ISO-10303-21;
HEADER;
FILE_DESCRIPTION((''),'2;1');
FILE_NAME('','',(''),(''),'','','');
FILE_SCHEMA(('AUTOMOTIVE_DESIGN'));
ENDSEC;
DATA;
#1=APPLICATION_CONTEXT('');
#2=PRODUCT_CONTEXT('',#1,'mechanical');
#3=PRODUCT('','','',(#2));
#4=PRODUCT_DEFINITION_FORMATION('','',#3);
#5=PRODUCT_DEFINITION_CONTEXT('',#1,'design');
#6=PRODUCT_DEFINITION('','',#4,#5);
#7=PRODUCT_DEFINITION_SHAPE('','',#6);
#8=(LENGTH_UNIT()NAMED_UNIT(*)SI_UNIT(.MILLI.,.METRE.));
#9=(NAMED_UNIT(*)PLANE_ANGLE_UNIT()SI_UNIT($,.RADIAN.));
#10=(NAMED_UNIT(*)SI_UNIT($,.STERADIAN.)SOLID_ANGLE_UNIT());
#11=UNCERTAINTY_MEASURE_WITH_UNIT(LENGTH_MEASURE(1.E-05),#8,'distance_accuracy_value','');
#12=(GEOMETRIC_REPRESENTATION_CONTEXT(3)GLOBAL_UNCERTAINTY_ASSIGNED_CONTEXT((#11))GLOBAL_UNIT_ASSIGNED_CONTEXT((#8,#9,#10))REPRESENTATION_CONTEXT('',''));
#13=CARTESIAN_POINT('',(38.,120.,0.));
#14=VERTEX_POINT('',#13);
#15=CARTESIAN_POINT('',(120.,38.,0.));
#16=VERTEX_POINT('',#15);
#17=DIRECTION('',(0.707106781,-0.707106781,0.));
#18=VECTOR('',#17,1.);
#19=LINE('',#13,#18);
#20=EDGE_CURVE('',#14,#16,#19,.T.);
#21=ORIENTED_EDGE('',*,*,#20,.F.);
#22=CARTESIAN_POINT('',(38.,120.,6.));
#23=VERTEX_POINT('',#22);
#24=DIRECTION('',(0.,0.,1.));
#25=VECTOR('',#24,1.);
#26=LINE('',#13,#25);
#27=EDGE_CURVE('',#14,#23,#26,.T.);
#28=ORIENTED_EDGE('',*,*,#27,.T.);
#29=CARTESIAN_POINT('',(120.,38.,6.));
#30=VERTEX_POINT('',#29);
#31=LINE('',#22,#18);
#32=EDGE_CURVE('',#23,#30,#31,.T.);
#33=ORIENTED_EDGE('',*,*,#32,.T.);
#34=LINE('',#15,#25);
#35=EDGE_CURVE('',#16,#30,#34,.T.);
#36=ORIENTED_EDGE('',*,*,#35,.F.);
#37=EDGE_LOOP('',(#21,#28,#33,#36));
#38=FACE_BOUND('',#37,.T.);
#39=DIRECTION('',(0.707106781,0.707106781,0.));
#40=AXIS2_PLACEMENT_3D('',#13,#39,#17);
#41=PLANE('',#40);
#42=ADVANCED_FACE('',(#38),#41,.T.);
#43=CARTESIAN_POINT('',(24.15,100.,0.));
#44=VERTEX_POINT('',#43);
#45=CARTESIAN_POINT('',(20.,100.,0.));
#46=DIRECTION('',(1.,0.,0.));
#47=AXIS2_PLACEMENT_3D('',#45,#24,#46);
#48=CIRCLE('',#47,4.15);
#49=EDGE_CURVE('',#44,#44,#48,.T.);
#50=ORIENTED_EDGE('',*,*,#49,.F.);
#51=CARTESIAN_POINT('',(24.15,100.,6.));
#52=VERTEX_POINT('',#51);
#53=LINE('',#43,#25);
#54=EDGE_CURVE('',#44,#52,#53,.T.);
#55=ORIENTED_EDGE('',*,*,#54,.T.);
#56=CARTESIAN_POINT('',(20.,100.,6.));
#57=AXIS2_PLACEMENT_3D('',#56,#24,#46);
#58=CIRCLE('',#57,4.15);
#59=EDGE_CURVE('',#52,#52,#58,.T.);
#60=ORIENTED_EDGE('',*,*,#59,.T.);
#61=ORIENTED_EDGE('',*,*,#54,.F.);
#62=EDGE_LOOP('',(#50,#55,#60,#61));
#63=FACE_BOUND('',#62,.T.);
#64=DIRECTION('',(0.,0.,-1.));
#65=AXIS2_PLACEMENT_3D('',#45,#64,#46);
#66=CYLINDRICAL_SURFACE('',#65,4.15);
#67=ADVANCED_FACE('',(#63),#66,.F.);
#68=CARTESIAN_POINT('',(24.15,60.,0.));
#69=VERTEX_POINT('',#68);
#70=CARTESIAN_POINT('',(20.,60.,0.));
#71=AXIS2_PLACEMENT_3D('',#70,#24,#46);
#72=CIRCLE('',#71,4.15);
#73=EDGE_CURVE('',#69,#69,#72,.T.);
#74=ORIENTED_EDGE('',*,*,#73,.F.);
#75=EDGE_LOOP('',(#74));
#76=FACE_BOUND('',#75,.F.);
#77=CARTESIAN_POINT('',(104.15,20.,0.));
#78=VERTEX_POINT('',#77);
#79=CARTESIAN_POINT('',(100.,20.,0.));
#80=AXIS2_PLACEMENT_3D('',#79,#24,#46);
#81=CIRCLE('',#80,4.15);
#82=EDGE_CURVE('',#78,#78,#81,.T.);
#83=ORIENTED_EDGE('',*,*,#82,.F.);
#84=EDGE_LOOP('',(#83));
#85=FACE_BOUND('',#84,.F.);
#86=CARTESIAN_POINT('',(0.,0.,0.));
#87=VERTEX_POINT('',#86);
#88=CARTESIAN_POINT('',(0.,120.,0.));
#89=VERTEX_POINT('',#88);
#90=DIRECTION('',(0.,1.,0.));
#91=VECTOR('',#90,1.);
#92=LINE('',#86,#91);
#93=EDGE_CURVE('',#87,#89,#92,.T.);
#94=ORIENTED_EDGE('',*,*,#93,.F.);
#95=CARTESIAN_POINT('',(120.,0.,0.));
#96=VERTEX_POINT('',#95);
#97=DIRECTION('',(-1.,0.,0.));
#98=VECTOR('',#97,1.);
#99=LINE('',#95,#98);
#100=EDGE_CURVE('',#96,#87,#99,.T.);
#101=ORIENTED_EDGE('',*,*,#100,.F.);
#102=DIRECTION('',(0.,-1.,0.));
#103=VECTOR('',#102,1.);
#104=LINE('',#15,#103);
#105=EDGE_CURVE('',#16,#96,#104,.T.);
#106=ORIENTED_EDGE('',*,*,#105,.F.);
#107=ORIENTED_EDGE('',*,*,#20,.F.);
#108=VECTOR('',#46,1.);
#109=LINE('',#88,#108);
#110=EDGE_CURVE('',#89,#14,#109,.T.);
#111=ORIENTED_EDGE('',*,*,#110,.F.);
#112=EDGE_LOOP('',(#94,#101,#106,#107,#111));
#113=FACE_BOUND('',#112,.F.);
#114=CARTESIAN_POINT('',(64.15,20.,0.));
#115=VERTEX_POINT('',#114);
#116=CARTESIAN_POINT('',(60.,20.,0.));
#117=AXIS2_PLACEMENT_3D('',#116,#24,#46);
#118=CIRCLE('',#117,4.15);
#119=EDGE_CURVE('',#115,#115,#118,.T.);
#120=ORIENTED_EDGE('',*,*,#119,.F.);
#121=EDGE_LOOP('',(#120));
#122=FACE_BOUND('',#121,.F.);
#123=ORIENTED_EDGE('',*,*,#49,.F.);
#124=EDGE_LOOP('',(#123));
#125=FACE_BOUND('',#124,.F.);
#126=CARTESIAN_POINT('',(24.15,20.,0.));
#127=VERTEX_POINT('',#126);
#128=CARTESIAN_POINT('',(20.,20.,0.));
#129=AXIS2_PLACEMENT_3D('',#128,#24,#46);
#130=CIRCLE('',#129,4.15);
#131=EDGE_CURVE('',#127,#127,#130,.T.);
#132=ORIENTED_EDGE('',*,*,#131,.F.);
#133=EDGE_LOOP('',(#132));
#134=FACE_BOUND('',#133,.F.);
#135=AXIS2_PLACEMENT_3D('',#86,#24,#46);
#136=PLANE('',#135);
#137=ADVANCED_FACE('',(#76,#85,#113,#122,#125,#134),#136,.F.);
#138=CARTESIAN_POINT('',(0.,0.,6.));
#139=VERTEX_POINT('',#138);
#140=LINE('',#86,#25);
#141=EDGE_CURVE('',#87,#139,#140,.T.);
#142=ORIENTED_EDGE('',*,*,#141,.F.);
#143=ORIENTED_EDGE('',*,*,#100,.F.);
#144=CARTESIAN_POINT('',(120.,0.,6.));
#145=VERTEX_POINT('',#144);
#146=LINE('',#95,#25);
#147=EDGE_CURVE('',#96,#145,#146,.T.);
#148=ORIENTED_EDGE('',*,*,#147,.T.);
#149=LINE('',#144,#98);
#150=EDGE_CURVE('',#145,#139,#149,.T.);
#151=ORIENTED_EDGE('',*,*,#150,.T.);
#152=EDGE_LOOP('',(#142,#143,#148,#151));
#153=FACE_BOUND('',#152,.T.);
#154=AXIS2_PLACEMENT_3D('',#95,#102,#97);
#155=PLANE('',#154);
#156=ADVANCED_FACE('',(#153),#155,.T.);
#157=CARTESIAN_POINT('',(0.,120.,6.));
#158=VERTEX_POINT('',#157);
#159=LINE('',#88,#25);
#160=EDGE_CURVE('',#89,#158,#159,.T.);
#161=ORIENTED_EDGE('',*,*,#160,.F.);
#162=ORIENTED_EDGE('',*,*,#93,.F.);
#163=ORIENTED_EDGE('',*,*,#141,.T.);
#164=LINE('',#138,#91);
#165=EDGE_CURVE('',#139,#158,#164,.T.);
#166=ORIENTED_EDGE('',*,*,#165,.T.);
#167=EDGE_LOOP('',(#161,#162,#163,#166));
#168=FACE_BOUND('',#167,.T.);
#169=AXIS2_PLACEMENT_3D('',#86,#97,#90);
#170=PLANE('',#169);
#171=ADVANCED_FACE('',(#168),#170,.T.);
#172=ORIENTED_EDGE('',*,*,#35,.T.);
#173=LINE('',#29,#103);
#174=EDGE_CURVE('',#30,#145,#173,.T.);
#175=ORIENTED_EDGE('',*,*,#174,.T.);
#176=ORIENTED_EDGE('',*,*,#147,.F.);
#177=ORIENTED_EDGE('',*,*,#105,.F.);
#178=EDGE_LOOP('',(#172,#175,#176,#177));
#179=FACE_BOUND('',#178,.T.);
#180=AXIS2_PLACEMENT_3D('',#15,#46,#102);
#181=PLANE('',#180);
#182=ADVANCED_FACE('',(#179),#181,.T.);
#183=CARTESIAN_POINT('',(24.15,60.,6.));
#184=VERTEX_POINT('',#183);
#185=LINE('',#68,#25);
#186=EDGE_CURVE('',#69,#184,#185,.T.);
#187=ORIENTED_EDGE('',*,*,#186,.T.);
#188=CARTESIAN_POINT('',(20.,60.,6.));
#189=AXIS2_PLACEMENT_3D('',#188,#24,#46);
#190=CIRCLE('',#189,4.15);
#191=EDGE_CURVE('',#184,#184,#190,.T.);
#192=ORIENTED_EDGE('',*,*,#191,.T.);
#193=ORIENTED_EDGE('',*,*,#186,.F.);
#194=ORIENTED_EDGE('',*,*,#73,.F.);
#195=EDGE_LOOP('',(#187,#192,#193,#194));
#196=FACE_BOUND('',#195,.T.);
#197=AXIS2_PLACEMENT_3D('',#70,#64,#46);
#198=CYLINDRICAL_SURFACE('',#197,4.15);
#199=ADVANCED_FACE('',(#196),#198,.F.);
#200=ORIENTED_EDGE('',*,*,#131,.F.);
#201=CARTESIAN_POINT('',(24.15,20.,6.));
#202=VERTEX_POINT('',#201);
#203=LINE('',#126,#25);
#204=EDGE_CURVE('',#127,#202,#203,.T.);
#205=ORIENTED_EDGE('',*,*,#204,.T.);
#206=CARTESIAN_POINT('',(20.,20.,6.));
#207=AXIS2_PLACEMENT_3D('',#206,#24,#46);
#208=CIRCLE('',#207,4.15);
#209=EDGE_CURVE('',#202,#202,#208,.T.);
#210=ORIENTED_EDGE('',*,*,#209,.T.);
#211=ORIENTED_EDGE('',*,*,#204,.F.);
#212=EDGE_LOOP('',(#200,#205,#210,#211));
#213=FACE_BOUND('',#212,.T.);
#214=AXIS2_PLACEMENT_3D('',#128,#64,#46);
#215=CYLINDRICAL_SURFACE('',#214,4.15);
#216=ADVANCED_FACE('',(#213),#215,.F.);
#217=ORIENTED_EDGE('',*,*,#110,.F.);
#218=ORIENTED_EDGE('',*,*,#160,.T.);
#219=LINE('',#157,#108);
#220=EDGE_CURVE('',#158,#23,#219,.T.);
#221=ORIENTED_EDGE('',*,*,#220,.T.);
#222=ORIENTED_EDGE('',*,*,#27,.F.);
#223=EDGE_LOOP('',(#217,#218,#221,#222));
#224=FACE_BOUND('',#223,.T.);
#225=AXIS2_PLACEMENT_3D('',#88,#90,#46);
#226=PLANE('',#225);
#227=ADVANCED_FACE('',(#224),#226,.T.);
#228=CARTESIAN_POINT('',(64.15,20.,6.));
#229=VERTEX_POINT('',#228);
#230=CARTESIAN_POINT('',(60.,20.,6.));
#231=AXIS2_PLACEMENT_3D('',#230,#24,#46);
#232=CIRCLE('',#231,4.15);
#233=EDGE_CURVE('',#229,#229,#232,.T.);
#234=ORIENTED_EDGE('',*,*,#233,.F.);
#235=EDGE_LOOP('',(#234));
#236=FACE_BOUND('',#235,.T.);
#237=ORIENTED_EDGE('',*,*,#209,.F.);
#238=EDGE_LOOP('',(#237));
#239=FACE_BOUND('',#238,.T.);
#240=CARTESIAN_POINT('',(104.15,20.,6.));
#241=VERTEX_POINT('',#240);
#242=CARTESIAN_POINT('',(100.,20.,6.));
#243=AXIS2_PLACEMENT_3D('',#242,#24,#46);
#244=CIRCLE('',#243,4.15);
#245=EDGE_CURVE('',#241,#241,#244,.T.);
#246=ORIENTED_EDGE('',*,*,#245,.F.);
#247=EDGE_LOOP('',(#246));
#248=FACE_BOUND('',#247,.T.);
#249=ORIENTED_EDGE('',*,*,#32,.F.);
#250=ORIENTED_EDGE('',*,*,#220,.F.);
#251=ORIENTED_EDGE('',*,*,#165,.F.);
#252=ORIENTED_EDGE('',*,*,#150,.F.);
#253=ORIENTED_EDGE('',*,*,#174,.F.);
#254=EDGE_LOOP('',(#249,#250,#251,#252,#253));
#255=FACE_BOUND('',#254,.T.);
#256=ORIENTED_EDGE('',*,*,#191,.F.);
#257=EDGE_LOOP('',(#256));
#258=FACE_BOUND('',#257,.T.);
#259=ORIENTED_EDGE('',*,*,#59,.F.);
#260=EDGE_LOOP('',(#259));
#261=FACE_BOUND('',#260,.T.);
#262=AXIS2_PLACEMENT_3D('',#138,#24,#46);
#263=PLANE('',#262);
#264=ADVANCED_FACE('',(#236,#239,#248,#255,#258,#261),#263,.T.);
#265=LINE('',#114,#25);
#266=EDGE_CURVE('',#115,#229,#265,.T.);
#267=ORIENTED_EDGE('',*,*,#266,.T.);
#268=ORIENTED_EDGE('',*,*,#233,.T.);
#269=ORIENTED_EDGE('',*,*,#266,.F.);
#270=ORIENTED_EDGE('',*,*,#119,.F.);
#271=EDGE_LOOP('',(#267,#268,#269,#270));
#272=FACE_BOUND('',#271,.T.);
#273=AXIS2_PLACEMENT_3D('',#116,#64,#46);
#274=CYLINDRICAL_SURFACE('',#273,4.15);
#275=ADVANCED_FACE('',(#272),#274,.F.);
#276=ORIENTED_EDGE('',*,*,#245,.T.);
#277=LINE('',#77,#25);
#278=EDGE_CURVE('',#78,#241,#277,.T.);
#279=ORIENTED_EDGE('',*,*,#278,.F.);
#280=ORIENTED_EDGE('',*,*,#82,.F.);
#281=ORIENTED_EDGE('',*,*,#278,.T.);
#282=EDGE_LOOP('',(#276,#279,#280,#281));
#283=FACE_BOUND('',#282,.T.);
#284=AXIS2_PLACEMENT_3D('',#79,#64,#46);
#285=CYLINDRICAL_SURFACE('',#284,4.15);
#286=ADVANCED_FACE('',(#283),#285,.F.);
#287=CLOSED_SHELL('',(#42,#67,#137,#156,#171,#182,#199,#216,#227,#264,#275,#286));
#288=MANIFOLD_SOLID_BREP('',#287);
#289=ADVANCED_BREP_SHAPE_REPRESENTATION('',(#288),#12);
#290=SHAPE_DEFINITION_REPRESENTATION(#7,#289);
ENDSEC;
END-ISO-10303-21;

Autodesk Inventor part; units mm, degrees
ref_plane "YZ Plane" through (0, 0, 0) normal (1, 0, 0) x (0, 1, 0)
ref_plane "XZ Plane" through (0, 0, 0) normal (0, 1, 0) x (-1, 0, 0)
ref_plane "XY Plane" through (0, 0, 0) normal (0, 0, 1) x (1, 0, 0)
sketch "Boceto1" plane through (0, 0, 0) normal (0, 0, 1) x (1, 0, 0)
  line L0 (0, 0) -> (0, 120)
  line L1 (0, 120) -> (38, 120)
  line L2 (38, 120) -> (120, 38)
  line L3 (120, 38) -> (120, 0)
  line L4 (120, 0) -> (0, 0)
  circle A0 centre (20, 20) radius 4.15
  circle A1 centre (20, 60) radius 4.15
  circle A2 centre (20, 100) radius 4.15
  circle A3 centre (60, 20) radius 4.15
  circle A4 centre (100, 20) radius 4.15
  dimension "d0" = 120
  dimension "d1" = 120
  dimension "d2" = 38
  dimension "d3" = 38
  dimension "d4" = 8.3
  dimension "d5" = 20
  dimension "d6" = 20
  dimension "d7" = 40
  dimension "d8" = 40
  dimension "d9" = 40
  dimension "d10" = 40
extrude "Extrusión1" add sketch "Boceto1" along normal blind 6
equation "\"d9\" = d8"
equation "\"d10\" = d9"
properties part number "escuadra plana"
